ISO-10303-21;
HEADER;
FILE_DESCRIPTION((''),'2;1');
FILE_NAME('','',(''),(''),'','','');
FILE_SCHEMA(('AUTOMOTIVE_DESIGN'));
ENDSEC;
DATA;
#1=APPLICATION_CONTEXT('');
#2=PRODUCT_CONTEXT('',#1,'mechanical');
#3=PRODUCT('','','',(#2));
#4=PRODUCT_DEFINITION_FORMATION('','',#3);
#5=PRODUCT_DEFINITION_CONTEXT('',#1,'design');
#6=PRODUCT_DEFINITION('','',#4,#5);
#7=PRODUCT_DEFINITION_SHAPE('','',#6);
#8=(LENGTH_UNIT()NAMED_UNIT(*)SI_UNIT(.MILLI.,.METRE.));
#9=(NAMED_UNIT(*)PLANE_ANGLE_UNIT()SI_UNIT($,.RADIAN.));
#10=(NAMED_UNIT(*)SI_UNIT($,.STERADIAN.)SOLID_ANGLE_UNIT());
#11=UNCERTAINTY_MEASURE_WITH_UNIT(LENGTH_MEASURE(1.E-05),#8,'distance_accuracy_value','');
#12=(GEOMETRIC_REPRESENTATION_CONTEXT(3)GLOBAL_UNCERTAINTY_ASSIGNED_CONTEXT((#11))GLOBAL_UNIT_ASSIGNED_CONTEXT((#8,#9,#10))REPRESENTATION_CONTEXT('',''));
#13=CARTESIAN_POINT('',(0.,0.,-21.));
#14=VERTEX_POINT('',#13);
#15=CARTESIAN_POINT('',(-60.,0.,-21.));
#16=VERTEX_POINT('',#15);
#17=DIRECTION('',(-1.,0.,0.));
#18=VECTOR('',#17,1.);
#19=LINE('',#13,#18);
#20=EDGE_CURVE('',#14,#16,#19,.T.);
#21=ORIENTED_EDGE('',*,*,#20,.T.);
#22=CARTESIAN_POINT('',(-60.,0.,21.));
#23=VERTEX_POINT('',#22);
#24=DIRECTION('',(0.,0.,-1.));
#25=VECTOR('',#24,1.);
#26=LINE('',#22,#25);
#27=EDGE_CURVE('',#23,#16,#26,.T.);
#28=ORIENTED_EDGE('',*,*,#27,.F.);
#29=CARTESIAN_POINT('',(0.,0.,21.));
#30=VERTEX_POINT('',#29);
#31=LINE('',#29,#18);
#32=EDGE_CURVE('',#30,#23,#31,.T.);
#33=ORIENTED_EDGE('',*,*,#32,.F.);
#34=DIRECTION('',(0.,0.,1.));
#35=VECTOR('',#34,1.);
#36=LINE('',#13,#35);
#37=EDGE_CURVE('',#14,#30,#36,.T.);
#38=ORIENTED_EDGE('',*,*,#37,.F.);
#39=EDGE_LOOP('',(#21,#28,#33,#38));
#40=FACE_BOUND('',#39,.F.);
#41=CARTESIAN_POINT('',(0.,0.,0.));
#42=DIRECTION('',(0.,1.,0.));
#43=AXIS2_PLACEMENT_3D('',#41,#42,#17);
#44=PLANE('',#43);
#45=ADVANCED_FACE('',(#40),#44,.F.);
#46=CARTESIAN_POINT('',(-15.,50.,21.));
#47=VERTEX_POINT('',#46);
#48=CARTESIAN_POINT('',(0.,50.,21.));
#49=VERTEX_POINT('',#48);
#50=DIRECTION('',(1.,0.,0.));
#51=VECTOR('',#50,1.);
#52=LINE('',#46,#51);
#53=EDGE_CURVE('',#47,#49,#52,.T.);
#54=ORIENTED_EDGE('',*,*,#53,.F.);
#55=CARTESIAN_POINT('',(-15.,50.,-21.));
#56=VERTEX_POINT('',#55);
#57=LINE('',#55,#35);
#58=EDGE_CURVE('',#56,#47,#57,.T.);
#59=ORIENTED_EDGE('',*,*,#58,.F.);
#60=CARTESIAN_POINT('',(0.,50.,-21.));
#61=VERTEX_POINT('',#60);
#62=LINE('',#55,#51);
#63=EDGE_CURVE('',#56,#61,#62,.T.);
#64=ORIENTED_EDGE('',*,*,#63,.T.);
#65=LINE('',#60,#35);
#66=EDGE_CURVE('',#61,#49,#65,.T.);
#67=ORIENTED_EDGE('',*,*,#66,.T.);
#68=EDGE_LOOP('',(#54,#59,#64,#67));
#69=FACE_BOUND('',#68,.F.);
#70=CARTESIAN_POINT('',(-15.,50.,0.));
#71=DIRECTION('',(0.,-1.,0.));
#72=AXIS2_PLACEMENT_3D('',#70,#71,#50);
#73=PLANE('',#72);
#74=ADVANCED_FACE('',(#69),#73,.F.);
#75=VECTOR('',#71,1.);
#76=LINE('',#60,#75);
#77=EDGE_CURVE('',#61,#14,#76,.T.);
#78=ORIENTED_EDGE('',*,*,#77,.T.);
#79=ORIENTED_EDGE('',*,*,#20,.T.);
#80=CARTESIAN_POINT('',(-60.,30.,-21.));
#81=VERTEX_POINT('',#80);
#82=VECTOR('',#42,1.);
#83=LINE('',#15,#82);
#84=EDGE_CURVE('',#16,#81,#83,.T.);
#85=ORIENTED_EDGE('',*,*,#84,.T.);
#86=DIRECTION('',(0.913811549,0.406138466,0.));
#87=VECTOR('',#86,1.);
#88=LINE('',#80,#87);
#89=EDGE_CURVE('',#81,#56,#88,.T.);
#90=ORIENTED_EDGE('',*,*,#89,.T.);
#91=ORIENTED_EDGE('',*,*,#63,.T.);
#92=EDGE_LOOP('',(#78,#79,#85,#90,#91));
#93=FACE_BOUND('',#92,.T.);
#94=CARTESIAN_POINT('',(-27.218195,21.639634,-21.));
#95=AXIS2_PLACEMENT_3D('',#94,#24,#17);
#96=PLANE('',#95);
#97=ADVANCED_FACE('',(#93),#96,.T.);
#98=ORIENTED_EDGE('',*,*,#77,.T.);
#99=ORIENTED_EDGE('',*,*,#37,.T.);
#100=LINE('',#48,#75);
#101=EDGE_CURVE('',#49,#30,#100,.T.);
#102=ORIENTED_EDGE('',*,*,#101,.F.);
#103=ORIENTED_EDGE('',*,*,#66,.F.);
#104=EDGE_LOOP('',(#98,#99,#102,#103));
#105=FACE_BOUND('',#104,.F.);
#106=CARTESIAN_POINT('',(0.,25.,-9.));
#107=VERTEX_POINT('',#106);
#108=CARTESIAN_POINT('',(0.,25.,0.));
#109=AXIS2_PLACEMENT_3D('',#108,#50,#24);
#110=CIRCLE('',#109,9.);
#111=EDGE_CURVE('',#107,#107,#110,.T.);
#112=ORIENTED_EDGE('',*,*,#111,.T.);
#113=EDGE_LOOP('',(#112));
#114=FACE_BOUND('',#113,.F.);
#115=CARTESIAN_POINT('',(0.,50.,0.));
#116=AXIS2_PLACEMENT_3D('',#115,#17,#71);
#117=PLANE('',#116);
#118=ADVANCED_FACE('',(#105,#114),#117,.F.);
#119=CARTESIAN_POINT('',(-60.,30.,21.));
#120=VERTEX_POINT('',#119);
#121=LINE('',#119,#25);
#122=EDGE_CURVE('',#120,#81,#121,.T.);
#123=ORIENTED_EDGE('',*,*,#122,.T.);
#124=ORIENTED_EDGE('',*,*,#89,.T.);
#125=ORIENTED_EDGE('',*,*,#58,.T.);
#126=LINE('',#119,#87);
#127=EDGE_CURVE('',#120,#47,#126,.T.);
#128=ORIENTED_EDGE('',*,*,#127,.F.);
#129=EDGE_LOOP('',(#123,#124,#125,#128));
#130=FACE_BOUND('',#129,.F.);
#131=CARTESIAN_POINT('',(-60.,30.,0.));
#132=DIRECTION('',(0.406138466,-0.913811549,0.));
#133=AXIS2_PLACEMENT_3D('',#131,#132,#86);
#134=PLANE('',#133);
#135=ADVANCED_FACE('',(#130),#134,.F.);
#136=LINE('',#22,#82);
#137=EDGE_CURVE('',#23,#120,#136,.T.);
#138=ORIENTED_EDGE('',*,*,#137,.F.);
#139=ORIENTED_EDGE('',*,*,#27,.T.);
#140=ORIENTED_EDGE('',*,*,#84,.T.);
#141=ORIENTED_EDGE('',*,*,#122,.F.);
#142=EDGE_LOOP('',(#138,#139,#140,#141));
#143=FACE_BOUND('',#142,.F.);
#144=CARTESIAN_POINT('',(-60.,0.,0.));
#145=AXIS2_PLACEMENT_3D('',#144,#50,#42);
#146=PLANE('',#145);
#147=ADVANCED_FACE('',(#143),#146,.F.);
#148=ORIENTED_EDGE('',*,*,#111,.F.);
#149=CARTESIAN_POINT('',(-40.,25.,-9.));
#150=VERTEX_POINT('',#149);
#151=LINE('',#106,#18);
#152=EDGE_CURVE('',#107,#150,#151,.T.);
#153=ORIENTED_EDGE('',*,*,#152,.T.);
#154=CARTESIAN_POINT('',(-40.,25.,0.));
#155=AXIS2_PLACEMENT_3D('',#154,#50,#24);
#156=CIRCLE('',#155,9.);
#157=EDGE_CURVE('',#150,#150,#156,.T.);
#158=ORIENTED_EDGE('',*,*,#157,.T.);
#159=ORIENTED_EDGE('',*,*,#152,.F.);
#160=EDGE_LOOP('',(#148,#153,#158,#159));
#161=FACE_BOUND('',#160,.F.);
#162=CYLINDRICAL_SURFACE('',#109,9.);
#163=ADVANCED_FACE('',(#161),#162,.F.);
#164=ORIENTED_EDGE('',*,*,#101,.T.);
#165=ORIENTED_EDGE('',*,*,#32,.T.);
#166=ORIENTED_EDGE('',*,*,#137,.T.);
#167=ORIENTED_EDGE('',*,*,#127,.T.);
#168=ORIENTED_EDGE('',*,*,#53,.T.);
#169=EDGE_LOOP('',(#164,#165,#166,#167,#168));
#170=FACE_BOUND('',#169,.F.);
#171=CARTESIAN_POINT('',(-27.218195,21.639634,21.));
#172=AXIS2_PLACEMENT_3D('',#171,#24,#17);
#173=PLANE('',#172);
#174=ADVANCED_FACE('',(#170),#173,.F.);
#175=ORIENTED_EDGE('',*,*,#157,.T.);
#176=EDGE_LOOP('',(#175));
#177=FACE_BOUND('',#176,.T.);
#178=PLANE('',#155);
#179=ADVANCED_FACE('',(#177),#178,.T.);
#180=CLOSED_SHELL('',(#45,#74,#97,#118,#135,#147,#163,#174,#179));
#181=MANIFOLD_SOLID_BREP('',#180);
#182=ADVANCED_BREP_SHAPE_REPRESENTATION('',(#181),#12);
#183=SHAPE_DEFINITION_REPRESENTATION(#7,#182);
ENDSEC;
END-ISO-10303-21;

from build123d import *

# Parameters (mm, degrees)
BOSS_EXTRUDE1_DEPTH = 21
SKETCH2_R           = 9
CUT_EXTRUDE1_DEPTH  = 40


with BuildPart() as part:
    # Sketch1 → Boss-Extrude1 (new body, symmetric)
    with BuildSketch(Plane.XY):
        Polygon((0, 0), (-60, 0), (-60, 30), (-15, 50), (0, 50), align=None)
    extrude(amount=BOSS_EXTRUDE1_DEPTH, both=True)

    # Sketch2 → Cut-Extrude1 (cut)
    with BuildSketch(Plane(origin=(0, 0, 0), x_dir=(0, 0, -1), z_dir=(1, 0, 0))):
        with Locations((0, 25)):
            Circle(SKETCH2_R)
    extrude(amount=-CUT_EXTRUDE1_DEPTH, mode=Mode.SUBTRACT)


solid = part.part
